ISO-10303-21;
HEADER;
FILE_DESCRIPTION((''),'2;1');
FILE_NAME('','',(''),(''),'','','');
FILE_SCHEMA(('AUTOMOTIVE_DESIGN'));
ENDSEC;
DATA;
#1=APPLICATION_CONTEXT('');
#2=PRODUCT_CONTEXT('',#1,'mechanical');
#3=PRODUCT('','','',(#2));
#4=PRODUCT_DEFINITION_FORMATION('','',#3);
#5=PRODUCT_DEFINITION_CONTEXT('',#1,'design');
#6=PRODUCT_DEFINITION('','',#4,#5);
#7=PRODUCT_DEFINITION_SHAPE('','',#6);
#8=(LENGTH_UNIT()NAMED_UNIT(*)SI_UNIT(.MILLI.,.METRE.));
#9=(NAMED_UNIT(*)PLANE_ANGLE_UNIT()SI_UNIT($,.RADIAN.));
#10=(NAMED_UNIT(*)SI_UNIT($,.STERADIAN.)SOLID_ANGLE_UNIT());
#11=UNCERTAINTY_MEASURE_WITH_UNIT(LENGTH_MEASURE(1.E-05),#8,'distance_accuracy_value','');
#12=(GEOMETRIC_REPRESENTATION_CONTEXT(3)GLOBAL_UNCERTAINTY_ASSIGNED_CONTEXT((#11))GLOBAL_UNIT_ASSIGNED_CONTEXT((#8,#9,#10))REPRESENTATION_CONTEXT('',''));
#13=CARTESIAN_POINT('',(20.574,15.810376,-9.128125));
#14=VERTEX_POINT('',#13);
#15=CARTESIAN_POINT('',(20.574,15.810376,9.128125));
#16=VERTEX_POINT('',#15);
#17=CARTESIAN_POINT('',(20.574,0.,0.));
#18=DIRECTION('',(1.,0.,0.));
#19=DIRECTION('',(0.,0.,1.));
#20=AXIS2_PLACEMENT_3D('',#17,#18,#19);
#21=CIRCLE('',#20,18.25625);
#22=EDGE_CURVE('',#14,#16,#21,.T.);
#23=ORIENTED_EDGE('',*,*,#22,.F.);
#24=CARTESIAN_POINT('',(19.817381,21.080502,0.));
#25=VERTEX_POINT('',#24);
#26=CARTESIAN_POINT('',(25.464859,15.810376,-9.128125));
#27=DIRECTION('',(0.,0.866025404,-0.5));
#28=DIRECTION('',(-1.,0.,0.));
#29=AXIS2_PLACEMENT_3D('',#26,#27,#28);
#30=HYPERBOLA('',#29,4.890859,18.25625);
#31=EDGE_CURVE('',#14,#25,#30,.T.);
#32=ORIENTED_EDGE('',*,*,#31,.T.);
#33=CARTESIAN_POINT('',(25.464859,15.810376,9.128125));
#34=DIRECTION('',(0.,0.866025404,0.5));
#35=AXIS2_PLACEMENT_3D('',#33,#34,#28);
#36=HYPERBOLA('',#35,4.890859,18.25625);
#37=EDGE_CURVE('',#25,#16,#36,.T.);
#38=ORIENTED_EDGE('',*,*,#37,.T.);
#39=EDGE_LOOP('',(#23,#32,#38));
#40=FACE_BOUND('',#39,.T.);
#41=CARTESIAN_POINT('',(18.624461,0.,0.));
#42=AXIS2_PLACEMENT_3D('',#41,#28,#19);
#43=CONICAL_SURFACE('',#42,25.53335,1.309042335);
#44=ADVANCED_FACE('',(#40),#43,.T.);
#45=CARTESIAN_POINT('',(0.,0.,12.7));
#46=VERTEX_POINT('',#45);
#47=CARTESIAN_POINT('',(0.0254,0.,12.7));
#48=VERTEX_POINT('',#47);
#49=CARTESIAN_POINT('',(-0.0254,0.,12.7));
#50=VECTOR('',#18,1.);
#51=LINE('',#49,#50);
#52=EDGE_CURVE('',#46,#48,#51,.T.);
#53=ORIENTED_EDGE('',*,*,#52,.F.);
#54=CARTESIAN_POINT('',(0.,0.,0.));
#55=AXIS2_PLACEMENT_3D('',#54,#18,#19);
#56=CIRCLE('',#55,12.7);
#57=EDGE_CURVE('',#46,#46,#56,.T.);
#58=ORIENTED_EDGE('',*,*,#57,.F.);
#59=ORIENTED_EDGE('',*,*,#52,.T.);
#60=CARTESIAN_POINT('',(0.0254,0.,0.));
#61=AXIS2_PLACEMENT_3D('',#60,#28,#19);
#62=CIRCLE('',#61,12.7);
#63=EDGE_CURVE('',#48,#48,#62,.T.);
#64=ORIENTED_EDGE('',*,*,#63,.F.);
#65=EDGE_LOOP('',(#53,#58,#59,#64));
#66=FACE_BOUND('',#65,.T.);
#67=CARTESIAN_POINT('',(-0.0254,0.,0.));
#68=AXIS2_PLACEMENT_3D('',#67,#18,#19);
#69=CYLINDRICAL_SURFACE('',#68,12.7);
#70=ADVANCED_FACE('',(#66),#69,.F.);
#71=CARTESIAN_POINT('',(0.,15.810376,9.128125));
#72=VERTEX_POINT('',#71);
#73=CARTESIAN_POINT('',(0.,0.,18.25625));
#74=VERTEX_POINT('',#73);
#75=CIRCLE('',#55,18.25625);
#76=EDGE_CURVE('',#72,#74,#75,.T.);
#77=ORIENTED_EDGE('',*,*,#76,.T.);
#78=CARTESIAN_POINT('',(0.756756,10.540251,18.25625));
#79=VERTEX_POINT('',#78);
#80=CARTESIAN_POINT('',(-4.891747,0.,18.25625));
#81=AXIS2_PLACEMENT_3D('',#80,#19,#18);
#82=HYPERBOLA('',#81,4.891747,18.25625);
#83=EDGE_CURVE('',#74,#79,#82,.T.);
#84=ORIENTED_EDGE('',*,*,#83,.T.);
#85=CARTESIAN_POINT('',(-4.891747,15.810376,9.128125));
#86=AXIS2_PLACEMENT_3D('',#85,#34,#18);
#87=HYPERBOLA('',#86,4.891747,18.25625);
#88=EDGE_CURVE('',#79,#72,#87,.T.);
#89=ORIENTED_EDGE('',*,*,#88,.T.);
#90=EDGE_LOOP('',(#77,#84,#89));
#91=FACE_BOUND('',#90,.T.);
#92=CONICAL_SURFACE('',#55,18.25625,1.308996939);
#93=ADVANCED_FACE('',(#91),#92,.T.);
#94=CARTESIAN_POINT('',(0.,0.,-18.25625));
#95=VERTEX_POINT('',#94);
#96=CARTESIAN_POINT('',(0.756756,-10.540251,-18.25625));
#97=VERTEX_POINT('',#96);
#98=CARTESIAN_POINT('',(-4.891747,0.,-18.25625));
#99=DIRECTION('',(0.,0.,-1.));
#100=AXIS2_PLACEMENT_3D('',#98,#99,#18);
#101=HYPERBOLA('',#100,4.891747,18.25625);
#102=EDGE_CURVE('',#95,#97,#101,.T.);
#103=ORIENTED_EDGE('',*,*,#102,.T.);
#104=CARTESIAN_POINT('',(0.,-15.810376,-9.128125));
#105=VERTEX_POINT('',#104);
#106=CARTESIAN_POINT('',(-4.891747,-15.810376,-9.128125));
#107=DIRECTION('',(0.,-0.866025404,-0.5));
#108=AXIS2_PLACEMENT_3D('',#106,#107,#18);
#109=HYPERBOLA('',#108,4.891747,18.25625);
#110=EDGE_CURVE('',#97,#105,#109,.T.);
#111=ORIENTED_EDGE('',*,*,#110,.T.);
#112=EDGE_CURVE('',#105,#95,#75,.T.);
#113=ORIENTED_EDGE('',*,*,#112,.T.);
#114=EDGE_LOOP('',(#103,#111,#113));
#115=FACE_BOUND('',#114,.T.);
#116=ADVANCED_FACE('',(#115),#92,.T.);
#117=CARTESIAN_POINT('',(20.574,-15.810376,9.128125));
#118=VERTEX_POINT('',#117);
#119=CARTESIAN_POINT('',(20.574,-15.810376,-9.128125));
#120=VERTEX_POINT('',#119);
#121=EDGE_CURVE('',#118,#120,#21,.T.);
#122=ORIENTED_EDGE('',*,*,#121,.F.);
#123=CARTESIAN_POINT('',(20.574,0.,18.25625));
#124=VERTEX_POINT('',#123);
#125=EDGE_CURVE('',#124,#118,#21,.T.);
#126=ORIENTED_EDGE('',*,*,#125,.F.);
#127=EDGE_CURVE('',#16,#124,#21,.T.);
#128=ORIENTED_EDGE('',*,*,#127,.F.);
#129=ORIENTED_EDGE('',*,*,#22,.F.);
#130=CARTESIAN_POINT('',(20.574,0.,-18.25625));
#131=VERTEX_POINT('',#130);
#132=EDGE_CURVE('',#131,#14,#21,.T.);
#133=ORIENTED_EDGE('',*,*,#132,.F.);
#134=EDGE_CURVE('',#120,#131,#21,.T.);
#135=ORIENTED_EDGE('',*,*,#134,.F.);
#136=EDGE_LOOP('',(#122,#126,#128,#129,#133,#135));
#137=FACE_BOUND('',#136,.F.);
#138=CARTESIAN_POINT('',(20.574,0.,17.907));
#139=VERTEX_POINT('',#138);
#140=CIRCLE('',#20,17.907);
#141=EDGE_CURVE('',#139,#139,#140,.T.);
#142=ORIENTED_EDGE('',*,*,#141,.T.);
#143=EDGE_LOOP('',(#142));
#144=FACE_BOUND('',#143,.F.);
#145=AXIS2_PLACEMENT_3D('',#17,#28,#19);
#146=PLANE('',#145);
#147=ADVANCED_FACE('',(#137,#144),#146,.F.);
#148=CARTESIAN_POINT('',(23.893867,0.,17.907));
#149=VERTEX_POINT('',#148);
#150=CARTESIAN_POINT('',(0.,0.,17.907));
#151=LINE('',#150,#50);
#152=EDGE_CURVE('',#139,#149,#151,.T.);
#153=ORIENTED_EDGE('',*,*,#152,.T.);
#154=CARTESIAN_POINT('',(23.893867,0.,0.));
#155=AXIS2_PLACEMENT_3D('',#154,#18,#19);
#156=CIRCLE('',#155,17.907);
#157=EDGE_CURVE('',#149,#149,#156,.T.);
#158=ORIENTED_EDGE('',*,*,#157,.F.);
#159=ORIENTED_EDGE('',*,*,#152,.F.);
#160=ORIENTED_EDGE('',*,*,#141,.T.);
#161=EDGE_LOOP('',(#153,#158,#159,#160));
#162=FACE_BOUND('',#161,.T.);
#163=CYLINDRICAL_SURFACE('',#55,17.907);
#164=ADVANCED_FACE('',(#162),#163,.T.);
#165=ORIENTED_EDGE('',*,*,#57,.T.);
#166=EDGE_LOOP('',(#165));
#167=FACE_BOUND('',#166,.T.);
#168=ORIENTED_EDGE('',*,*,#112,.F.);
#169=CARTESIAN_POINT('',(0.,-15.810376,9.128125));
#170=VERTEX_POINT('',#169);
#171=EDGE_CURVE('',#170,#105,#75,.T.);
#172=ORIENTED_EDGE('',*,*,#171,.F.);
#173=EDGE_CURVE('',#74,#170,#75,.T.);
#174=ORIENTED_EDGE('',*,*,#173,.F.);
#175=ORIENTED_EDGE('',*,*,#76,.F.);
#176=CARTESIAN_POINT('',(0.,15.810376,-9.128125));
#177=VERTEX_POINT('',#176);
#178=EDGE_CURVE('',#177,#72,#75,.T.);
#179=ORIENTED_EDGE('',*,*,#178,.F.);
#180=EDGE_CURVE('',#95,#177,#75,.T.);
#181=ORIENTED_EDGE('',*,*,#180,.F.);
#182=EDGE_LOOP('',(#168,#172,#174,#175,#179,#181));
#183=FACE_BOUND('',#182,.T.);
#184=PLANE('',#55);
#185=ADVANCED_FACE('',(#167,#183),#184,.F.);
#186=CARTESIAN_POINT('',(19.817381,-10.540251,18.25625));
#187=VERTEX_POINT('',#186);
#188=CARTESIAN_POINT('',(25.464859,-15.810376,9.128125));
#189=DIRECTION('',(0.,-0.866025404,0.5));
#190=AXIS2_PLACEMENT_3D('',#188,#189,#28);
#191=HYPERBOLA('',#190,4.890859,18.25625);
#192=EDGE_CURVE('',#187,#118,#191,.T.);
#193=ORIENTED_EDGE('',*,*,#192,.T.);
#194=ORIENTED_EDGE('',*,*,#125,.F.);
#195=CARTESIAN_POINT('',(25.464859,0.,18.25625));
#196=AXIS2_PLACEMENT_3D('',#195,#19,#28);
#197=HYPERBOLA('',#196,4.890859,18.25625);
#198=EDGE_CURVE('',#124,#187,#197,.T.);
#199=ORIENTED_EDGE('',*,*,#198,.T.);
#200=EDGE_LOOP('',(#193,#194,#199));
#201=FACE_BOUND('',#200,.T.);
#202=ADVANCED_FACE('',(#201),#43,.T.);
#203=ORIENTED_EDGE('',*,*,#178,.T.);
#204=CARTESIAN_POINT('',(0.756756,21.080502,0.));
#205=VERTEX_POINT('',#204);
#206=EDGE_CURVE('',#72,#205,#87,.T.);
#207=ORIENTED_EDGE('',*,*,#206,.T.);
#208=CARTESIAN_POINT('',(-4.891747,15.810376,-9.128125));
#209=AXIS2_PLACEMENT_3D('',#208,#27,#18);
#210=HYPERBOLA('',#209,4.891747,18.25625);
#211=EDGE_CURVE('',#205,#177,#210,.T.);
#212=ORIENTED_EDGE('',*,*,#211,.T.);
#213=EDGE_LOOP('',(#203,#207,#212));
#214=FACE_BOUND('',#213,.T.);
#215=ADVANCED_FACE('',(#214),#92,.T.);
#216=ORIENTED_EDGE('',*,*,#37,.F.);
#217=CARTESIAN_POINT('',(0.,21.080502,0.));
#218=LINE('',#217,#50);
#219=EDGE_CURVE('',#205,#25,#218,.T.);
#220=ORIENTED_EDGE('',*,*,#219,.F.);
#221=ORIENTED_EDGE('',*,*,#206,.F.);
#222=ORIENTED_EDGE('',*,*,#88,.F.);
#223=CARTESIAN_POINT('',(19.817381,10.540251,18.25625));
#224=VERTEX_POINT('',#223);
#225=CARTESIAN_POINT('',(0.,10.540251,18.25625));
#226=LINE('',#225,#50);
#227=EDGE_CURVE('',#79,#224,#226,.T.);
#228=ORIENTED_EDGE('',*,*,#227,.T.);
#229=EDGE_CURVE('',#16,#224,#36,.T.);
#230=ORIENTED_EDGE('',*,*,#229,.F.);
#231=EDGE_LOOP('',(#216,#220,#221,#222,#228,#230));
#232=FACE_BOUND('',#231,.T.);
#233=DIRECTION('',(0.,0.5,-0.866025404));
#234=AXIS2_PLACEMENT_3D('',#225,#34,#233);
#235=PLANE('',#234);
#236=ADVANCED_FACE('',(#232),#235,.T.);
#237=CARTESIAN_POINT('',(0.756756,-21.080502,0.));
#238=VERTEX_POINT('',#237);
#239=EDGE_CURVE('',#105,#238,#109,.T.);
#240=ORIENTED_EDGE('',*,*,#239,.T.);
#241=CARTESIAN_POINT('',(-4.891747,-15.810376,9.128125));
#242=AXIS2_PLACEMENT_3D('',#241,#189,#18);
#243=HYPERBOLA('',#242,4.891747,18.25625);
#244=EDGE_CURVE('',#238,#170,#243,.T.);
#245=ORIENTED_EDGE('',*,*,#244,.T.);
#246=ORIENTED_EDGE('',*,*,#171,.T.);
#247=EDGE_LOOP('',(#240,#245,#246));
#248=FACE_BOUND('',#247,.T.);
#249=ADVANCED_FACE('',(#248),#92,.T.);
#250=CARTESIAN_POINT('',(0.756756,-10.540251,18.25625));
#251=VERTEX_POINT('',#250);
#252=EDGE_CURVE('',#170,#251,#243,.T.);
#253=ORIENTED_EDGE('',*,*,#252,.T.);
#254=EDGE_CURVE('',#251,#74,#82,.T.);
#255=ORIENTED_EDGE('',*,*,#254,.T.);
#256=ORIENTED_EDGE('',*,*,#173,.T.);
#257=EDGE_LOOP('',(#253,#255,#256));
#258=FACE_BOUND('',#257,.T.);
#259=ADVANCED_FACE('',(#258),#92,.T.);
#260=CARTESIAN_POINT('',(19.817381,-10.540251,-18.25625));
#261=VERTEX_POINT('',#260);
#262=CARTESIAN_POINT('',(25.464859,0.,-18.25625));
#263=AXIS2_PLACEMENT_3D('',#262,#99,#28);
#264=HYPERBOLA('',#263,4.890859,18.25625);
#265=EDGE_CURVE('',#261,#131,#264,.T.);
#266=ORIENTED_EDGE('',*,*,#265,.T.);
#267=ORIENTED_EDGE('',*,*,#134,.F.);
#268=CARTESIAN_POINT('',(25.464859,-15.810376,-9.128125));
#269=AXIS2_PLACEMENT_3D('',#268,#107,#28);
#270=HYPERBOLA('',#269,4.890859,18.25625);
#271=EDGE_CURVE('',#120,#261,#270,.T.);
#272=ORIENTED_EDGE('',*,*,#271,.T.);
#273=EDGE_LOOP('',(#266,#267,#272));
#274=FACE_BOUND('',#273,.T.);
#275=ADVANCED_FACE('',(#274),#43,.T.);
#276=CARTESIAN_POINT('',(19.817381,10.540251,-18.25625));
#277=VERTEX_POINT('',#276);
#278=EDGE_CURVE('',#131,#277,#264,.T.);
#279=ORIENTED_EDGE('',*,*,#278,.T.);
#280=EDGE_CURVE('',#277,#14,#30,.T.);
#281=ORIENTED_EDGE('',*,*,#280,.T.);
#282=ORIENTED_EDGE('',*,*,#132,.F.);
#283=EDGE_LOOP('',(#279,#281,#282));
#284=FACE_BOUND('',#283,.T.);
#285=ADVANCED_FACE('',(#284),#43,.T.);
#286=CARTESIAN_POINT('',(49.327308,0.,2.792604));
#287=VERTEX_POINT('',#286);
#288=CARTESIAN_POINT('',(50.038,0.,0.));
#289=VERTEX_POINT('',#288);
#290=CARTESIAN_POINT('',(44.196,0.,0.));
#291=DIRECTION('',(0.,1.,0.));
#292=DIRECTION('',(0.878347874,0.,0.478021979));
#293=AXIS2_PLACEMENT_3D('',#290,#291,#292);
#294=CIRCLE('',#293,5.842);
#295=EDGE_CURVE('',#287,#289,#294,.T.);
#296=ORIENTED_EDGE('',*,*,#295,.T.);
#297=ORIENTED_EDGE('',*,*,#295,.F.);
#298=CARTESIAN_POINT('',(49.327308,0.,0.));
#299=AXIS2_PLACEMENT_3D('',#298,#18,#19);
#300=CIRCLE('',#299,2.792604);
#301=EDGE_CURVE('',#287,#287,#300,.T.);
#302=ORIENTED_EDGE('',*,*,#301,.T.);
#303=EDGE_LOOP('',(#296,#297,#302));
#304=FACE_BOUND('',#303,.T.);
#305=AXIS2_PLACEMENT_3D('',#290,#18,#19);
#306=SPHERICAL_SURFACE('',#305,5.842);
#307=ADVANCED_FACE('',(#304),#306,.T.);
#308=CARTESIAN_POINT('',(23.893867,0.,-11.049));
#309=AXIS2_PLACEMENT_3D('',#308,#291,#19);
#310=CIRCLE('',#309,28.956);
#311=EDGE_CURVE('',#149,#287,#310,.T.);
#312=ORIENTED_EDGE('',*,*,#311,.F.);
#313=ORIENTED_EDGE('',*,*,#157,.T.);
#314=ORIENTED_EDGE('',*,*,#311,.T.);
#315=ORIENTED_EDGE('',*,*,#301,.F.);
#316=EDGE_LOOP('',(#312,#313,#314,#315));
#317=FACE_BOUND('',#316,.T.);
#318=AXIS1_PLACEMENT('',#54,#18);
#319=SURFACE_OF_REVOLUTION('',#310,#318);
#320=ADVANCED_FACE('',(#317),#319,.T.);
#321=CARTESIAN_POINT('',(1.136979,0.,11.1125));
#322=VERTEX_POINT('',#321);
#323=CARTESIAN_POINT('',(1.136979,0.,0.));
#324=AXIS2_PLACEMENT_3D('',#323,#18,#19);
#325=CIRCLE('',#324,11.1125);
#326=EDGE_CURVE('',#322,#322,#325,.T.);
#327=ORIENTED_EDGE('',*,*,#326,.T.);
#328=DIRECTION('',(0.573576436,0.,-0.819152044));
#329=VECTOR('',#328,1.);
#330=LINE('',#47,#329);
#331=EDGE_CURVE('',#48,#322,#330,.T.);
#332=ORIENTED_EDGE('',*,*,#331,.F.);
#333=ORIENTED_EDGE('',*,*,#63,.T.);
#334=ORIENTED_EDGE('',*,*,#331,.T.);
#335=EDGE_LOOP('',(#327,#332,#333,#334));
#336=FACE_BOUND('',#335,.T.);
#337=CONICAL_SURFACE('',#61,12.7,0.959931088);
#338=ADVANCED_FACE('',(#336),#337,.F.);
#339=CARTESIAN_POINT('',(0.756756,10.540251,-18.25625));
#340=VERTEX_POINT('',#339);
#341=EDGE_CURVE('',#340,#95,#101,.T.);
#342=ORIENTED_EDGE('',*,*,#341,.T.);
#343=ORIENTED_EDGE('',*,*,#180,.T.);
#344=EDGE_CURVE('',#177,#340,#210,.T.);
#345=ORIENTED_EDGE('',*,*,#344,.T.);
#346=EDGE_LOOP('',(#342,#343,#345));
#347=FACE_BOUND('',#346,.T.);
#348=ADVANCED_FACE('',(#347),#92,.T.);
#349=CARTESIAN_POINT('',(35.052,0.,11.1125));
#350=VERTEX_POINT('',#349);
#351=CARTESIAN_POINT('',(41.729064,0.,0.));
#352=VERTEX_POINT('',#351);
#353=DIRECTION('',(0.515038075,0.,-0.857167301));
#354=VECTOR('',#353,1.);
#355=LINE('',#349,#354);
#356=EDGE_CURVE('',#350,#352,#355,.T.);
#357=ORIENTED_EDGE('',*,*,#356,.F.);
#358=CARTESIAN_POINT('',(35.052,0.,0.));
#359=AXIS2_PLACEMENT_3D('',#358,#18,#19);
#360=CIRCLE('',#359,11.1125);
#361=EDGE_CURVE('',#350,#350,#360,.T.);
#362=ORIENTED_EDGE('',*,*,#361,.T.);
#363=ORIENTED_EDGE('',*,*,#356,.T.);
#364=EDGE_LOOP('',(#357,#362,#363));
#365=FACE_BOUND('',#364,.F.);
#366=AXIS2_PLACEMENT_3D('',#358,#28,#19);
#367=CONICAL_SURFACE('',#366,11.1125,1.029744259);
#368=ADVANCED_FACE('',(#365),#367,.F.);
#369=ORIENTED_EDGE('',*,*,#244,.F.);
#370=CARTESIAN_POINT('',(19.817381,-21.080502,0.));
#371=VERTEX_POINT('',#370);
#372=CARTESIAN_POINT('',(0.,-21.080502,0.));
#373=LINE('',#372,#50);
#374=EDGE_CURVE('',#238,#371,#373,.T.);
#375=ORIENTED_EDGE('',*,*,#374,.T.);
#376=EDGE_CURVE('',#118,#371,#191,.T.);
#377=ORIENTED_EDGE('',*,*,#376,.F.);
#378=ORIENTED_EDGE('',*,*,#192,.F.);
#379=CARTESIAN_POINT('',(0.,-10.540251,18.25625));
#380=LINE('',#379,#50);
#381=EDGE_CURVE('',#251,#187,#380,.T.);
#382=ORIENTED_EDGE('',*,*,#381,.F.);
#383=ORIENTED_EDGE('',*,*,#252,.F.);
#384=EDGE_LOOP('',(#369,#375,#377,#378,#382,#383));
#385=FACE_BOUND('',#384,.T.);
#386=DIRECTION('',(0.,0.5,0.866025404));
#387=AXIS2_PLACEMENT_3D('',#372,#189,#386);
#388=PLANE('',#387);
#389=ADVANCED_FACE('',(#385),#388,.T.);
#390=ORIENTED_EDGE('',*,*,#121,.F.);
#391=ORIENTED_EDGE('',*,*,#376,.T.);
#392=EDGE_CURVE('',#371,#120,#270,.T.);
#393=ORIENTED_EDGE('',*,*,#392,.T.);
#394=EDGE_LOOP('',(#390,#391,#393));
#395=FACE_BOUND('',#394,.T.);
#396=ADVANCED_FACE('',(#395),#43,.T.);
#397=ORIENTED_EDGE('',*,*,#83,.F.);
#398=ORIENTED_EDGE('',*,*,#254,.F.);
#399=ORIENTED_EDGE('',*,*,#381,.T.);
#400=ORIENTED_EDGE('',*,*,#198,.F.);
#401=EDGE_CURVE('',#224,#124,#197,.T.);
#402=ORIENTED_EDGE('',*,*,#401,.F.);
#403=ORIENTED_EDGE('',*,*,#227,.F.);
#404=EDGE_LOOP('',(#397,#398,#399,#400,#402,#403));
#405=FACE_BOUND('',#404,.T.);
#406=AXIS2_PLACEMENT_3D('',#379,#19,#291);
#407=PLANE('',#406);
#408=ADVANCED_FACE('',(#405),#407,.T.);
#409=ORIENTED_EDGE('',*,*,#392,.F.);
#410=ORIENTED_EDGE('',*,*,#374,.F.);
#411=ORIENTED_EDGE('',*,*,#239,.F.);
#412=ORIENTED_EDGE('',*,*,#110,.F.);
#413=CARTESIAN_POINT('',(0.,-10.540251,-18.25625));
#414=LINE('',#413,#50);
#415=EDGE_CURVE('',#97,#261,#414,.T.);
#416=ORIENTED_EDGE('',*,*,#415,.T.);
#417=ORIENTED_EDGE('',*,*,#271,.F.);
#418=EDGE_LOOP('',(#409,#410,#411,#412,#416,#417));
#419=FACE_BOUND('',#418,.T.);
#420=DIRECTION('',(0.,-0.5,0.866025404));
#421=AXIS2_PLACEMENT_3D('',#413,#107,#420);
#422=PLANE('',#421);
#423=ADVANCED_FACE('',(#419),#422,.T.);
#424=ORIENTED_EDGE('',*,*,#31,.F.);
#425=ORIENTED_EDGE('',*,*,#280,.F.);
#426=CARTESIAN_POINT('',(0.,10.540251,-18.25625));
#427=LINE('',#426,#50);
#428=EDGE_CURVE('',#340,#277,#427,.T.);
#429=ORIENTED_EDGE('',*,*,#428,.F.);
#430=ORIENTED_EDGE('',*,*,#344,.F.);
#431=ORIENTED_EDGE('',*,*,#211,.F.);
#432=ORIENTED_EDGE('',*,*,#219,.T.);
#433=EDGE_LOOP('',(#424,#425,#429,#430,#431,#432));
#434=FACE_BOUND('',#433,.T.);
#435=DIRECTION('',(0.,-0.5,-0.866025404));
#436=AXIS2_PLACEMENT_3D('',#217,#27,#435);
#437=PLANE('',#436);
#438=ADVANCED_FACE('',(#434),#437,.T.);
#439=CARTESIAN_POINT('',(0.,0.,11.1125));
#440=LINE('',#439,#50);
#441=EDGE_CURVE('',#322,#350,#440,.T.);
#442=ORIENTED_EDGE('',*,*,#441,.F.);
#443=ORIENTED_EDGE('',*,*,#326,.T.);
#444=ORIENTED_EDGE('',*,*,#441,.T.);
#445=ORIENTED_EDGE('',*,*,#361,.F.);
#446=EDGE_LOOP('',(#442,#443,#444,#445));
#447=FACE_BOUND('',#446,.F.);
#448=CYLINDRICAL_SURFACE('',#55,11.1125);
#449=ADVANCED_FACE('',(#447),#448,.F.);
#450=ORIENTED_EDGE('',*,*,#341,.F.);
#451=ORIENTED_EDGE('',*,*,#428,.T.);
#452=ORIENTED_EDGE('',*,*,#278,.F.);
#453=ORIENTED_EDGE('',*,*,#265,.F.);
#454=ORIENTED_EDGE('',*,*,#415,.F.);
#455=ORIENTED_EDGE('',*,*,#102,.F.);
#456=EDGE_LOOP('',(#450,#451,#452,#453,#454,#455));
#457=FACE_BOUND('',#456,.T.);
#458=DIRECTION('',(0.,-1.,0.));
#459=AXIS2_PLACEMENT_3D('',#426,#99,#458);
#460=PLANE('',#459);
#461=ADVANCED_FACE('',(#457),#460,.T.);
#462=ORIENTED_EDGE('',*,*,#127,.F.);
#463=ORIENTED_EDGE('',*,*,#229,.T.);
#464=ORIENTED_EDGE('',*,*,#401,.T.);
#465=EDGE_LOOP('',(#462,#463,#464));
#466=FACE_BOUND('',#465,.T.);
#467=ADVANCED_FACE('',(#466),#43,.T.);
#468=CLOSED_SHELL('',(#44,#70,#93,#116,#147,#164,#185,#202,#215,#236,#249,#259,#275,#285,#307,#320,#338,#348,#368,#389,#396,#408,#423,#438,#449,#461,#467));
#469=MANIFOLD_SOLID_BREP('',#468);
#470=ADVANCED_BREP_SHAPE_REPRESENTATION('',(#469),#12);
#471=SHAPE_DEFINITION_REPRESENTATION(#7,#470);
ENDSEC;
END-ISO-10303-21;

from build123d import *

# Parameters (mm, degrees)
BASENUT_DEPTH = 20.574


with BuildPart() as part:
    # BaseNutSke → BaseNut (new body)
    with BuildSketch(Plane(origin=(0, 0, 0), x_dir=(0, 0, -1), z_dir=(1, 0, 0))):
        Polygon((18.25625, 10.540250852), (18.25625, -10.540250852), (0, -21.080501704), (-18.25625, -10.540250852), (-18.25625, 10.540250852), (0, 21.080501704), align=None)
    extrude(amount=BASENUT_DEPTH)

    # Sketch3 → Crown (revolve)
    with BuildSketch(Plane.XY, mode=Mode.PRIVATE) as crown_sk:
        with BuildLine():
            Line((50.038, 0), (0, 0))
            Line((0, 0), (0, 17.907))
            Line((0, 17.907), (23.89386723, 17.907))
            ThreePointArc((23.89386723, 17.907), (38.686643155, 13.843242093), (49.327308282, 2.792604396))
            ThreePointArc((49.327308282, 2.792604396), (49.857539852, 1.440808977), (50.038, 0))
        make_face()
    revolve(crown_sk.sketch.rotate(Axis((0, 0, 0), (1, 0, 0)), 90), axis=Axis((0, 0, 0), (1, 0, 0)))

    # Sketch4 → DoubleChamfer (revolve, cut)
    with BuildSketch(Plane.XY, mode=Mode.PRIVATE) as doublechamfer_sk:
        Polygon((0, 18.25625), (1.949893068, 25.53335), (18.624460993, 25.53335), (20.574, 18.25625), (33.274, 18.25625), (33.274, 43.65625), (-12.7, 43.65625), (-12.7, 18.25625), align=None)
    revolve(doublechamfer_sk.sketch.rotate(Axis((0, 0, 0), (1, 0, 0)), 90), axis=Axis((0, 0, 0), (1, 0, 0)), mode=Mode.SUBTRACT)

    # Sketch5 → TapDrill (revolve, cut)
    with BuildSketch(Plane.XY, mode=Mode.PRIVATE) as tapdrill_sk:
        Polygon((0, 11.1125), (35.052, 11.1125), (41.729063629, 0), (0, 0), align=None)
    revolve(tapdrill_sk.sketch.rotate(Axis((0, 0, 0), (1, 0, 0)), 90), axis=Axis((0, 0, 0), (1, 0, 0)), mode=Mode.SUBTRACT)

    # EndChamferSketch → EndChamfer (revolve, cut)
    with BuildSketch(Plane.XY, mode=Mode.PRIVATE) as endchamfer_sk:
        Polygon((-0.0254, 12.7), (0.0254, 12.7), (1.248137414, 10.95375), (-0.0254, 10.95375), align=None)
    revolve(endchamfer_sk.sketch.rotate(Axis((-3.175, 0, 0), (-1, 0, 0)), 270), axis=Axis((-3.175, 0, 0), (-1, 0, 0)), mode=Mode.SUBTRACT)


solid = part.part
